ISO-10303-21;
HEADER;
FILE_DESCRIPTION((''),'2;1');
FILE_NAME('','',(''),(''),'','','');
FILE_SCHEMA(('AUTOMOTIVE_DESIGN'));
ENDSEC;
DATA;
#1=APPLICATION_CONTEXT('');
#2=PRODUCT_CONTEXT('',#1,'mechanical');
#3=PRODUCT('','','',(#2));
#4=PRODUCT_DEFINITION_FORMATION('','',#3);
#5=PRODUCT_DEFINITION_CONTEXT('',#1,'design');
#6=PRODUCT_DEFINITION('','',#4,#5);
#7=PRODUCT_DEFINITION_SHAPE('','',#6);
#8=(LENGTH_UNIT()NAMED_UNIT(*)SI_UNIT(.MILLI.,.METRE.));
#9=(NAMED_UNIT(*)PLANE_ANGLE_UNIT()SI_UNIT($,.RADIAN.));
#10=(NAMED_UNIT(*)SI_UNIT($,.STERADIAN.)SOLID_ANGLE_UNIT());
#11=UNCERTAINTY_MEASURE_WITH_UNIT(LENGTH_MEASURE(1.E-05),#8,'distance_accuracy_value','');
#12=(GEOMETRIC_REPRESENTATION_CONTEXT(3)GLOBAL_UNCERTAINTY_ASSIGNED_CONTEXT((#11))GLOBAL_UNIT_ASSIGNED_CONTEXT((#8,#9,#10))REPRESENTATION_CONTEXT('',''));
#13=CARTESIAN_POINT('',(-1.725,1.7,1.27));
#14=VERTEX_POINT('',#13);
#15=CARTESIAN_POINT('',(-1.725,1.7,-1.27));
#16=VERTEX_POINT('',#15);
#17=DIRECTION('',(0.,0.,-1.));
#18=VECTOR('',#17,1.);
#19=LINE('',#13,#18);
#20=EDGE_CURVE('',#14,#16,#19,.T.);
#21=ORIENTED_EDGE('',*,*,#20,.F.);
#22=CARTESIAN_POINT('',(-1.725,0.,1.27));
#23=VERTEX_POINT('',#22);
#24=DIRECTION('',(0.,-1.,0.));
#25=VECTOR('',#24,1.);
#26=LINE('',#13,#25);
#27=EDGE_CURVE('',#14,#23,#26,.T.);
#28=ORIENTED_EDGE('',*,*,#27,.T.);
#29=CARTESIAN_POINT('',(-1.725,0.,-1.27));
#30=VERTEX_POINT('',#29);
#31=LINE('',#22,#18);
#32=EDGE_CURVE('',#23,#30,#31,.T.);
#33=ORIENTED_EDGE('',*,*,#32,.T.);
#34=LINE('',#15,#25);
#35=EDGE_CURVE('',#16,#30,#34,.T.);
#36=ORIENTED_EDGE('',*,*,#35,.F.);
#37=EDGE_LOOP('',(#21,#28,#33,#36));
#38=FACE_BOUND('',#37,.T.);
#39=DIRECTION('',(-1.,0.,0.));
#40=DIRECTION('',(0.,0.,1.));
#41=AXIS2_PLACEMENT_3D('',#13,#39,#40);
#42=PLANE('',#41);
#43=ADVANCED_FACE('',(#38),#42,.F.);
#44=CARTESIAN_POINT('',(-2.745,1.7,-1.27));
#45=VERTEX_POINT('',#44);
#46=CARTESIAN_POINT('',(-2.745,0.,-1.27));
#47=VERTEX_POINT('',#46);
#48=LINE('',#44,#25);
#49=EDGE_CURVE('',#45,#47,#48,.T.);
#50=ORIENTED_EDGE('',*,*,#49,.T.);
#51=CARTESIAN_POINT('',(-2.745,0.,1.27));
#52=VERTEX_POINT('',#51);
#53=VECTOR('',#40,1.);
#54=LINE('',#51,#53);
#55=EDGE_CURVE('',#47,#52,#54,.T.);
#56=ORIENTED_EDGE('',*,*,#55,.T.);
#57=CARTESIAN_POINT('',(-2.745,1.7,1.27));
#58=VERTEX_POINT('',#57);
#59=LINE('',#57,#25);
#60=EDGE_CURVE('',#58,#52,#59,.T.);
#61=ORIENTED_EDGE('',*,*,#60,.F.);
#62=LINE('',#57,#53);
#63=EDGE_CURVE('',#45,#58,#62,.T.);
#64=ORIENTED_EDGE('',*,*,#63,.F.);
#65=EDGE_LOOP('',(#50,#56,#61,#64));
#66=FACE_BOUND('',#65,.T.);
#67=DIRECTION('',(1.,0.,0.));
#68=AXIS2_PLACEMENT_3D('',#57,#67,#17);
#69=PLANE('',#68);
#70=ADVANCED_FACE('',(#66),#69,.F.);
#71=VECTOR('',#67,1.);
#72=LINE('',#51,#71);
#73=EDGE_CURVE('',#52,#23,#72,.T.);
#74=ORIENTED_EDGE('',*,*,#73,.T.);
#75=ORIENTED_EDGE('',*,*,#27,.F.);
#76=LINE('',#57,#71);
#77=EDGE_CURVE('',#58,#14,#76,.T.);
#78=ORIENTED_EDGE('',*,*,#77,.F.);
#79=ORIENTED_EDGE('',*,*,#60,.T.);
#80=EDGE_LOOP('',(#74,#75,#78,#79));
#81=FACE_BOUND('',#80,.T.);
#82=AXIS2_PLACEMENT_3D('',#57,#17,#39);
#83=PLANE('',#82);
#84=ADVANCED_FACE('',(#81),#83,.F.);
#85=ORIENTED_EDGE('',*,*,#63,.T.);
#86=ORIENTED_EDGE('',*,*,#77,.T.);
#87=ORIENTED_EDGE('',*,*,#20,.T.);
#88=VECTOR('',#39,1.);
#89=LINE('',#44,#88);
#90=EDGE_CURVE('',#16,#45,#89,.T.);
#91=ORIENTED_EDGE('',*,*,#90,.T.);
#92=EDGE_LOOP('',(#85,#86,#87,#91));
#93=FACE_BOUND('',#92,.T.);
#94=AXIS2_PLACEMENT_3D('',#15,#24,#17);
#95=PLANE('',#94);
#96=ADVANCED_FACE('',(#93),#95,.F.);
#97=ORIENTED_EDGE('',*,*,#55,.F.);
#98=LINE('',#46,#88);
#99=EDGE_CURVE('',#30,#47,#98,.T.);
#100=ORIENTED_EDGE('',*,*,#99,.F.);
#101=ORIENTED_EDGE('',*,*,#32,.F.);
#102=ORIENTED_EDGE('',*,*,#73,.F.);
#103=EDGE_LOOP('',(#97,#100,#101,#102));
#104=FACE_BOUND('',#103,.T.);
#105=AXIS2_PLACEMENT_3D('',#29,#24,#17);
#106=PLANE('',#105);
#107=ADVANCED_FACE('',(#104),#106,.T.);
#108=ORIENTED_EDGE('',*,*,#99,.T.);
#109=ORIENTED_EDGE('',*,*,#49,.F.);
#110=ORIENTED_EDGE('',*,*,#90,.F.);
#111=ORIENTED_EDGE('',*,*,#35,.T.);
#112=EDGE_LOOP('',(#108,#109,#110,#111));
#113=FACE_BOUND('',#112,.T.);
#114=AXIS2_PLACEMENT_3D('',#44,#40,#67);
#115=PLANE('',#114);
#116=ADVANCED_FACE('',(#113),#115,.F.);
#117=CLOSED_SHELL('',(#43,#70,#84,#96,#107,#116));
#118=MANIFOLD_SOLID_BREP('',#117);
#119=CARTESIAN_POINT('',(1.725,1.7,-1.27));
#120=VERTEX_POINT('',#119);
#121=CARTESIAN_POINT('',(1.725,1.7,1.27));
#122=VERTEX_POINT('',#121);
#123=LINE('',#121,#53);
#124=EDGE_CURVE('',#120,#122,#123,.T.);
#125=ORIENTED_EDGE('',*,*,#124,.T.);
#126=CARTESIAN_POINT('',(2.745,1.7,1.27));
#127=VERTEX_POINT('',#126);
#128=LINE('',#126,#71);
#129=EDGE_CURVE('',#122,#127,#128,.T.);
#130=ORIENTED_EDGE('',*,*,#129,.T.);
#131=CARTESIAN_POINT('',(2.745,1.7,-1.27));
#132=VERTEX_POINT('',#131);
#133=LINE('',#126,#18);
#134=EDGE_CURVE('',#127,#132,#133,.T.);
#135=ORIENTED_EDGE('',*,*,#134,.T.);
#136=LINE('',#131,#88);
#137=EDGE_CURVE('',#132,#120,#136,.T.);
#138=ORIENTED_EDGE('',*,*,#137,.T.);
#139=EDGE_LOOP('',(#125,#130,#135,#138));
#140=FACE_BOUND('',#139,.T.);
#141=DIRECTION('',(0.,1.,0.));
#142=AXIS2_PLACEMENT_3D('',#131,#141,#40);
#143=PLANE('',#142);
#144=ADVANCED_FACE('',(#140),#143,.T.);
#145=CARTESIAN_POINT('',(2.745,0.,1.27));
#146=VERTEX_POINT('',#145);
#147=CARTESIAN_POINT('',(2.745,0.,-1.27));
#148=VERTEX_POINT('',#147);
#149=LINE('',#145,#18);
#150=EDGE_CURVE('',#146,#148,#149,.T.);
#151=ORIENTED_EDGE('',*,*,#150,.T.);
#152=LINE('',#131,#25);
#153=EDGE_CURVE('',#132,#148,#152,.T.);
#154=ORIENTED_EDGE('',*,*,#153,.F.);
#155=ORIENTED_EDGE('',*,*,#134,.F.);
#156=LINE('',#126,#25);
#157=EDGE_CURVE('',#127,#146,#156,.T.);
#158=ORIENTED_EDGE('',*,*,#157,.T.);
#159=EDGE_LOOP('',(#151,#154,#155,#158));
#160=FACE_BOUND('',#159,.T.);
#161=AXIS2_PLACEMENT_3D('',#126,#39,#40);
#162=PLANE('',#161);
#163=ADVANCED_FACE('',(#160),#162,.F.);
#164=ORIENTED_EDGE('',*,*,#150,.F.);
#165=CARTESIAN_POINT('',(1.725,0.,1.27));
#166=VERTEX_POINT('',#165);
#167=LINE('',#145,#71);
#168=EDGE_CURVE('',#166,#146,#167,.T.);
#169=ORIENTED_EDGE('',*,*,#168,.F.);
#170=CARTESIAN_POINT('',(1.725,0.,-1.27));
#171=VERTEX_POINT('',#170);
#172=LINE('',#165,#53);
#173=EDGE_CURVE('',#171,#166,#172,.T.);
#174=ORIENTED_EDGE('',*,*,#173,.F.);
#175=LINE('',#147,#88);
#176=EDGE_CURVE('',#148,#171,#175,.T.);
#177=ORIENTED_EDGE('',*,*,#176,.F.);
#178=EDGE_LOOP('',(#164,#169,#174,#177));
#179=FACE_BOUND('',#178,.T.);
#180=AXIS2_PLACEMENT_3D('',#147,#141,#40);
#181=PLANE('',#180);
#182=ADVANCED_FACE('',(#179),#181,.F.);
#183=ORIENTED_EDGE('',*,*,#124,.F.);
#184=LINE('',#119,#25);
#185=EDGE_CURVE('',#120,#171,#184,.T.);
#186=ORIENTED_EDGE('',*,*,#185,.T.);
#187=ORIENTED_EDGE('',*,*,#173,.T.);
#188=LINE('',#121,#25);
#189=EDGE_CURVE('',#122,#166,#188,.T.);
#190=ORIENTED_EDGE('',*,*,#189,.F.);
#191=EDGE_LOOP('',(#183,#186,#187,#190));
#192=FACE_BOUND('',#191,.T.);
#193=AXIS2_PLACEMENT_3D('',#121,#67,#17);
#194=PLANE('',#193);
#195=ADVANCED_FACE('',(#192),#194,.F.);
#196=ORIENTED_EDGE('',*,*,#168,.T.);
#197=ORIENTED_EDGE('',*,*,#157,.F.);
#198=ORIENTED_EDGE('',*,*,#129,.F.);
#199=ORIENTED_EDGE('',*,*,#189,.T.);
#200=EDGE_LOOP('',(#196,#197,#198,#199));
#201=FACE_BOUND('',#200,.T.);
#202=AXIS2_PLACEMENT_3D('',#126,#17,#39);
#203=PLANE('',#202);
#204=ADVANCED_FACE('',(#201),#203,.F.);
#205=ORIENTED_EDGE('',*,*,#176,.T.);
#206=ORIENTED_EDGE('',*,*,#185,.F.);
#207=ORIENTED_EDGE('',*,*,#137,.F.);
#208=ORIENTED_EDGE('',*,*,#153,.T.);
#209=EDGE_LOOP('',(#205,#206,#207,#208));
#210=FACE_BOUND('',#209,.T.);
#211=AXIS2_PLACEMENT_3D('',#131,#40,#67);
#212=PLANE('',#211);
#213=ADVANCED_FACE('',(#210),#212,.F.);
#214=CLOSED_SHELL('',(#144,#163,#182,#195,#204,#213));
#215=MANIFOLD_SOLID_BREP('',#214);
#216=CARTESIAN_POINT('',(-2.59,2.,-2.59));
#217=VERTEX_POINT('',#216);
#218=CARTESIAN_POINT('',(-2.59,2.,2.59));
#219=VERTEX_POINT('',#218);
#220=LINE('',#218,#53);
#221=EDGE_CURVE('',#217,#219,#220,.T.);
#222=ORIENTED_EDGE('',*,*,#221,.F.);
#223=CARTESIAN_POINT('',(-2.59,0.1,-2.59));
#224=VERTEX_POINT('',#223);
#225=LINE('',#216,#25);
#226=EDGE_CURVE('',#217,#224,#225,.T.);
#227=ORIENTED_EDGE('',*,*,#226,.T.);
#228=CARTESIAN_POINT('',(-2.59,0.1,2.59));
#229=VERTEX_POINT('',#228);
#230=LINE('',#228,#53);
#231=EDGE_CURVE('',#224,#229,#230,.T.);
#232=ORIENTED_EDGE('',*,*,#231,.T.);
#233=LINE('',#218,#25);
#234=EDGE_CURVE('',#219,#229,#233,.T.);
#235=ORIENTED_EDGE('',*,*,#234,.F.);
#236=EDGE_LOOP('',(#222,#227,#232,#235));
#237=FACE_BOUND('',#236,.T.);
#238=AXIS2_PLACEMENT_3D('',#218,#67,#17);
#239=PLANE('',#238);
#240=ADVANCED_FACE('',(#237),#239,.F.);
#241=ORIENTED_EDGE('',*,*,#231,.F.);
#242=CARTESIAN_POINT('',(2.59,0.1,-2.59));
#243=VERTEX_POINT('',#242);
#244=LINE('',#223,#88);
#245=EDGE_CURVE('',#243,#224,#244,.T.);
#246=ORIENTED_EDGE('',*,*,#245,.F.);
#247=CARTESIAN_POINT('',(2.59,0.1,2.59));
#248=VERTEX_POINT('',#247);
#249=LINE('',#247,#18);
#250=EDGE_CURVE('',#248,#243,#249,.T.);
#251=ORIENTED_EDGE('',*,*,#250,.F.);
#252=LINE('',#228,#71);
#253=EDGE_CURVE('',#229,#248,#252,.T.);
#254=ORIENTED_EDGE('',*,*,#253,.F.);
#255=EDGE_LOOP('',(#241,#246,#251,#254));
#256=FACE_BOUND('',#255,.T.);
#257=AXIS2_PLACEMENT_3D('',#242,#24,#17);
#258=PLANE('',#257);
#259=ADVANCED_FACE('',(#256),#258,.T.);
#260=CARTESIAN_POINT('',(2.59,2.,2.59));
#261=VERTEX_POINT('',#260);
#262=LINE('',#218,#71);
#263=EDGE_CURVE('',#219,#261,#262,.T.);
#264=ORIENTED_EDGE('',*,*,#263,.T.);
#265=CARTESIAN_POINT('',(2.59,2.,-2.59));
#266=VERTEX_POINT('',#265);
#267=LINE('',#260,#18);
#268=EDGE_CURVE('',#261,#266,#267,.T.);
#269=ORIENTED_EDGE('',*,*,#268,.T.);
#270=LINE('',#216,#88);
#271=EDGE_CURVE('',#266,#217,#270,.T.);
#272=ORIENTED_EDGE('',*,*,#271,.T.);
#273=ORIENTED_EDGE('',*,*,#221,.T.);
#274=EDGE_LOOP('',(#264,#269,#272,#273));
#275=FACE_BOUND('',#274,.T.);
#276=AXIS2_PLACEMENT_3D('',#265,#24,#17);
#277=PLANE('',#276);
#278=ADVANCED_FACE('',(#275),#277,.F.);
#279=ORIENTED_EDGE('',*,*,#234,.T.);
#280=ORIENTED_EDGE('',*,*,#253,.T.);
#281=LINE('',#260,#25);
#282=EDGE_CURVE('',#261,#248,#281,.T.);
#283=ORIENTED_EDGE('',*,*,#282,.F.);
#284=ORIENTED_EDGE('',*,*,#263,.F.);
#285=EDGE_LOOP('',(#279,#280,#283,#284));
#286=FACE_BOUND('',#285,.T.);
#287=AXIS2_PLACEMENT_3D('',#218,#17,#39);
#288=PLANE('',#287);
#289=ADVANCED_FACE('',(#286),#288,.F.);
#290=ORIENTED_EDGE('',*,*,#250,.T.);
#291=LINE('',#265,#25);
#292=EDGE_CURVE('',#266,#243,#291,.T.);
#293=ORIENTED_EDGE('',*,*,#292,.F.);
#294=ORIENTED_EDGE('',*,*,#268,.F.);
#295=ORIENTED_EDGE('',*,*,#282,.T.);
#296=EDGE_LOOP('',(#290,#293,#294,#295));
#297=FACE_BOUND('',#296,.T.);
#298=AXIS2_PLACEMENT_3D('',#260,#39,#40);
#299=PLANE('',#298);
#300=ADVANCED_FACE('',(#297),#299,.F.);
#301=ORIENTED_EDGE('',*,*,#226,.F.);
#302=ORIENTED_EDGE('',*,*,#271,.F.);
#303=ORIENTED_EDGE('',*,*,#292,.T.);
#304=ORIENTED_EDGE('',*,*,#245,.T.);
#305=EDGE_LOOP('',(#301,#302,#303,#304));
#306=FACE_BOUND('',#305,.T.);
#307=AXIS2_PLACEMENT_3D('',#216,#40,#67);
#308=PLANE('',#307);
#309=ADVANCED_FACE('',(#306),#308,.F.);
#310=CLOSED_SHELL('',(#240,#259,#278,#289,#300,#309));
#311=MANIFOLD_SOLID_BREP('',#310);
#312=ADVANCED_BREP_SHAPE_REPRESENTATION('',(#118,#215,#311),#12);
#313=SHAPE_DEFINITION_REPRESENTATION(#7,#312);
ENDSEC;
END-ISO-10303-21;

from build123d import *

# Parameters (mm, degrees)
EXTRUDE_START     = 0.1
SKETCH_1_W        = 5.18
SKETCH_1_H        = 5.18
EXTRUDE_1_DEPTH   = 1.9
SKETCH_2_W        = 1.02
SKETCH_2_H        = 2.54
EXTRUDE_2_DEPTH   = 1.7
EXTRUDE_2_2_DEPTH = 1.7


with BuildPart() as part:
    # Эскиз1 → Бобышка-Вытянуть1 (new body)
    with BuildSketch(Plane(origin=(0, 0, 0), x_dir=(1, 0, 0), z_dir=(0, 1, 0)).offset(EXTRUDE_START)):
        Rectangle(SKETCH_1_W, SKETCH_1_H)
    extrude(amount=EXTRUDE_1_DEPTH)


with BuildPart() as body_2:
    # Эскиз2 → Бобышка-Вытянуть2 (new body)
    with BuildSketch(Plane(origin=(0, 0, 0), x_dir=(1, 0, 0), z_dir=(0, 1, 0))):
        with Locations((-2.235, 0)):
            Rectangle(SKETCH_2_W, SKETCH_2_H)
    extrude(amount=EXTRUDE_2_DEPTH)


with BuildPart() as body_3:
    # Эскиз2 → Extrude 2 2 (new body)
    with BuildSketch(Plane(origin=(0, 0, 0), x_dir=(1, 0, 0), z_dir=(0, 1, 0))):
        with Locations((2.235, 0)):
            Rectangle(SKETCH_2_W, SKETCH_2_H)
    extrude(amount=EXTRUDE_2_2_DEPTH)


solid = Compound([part.part, body_2.part, body_3.part])
